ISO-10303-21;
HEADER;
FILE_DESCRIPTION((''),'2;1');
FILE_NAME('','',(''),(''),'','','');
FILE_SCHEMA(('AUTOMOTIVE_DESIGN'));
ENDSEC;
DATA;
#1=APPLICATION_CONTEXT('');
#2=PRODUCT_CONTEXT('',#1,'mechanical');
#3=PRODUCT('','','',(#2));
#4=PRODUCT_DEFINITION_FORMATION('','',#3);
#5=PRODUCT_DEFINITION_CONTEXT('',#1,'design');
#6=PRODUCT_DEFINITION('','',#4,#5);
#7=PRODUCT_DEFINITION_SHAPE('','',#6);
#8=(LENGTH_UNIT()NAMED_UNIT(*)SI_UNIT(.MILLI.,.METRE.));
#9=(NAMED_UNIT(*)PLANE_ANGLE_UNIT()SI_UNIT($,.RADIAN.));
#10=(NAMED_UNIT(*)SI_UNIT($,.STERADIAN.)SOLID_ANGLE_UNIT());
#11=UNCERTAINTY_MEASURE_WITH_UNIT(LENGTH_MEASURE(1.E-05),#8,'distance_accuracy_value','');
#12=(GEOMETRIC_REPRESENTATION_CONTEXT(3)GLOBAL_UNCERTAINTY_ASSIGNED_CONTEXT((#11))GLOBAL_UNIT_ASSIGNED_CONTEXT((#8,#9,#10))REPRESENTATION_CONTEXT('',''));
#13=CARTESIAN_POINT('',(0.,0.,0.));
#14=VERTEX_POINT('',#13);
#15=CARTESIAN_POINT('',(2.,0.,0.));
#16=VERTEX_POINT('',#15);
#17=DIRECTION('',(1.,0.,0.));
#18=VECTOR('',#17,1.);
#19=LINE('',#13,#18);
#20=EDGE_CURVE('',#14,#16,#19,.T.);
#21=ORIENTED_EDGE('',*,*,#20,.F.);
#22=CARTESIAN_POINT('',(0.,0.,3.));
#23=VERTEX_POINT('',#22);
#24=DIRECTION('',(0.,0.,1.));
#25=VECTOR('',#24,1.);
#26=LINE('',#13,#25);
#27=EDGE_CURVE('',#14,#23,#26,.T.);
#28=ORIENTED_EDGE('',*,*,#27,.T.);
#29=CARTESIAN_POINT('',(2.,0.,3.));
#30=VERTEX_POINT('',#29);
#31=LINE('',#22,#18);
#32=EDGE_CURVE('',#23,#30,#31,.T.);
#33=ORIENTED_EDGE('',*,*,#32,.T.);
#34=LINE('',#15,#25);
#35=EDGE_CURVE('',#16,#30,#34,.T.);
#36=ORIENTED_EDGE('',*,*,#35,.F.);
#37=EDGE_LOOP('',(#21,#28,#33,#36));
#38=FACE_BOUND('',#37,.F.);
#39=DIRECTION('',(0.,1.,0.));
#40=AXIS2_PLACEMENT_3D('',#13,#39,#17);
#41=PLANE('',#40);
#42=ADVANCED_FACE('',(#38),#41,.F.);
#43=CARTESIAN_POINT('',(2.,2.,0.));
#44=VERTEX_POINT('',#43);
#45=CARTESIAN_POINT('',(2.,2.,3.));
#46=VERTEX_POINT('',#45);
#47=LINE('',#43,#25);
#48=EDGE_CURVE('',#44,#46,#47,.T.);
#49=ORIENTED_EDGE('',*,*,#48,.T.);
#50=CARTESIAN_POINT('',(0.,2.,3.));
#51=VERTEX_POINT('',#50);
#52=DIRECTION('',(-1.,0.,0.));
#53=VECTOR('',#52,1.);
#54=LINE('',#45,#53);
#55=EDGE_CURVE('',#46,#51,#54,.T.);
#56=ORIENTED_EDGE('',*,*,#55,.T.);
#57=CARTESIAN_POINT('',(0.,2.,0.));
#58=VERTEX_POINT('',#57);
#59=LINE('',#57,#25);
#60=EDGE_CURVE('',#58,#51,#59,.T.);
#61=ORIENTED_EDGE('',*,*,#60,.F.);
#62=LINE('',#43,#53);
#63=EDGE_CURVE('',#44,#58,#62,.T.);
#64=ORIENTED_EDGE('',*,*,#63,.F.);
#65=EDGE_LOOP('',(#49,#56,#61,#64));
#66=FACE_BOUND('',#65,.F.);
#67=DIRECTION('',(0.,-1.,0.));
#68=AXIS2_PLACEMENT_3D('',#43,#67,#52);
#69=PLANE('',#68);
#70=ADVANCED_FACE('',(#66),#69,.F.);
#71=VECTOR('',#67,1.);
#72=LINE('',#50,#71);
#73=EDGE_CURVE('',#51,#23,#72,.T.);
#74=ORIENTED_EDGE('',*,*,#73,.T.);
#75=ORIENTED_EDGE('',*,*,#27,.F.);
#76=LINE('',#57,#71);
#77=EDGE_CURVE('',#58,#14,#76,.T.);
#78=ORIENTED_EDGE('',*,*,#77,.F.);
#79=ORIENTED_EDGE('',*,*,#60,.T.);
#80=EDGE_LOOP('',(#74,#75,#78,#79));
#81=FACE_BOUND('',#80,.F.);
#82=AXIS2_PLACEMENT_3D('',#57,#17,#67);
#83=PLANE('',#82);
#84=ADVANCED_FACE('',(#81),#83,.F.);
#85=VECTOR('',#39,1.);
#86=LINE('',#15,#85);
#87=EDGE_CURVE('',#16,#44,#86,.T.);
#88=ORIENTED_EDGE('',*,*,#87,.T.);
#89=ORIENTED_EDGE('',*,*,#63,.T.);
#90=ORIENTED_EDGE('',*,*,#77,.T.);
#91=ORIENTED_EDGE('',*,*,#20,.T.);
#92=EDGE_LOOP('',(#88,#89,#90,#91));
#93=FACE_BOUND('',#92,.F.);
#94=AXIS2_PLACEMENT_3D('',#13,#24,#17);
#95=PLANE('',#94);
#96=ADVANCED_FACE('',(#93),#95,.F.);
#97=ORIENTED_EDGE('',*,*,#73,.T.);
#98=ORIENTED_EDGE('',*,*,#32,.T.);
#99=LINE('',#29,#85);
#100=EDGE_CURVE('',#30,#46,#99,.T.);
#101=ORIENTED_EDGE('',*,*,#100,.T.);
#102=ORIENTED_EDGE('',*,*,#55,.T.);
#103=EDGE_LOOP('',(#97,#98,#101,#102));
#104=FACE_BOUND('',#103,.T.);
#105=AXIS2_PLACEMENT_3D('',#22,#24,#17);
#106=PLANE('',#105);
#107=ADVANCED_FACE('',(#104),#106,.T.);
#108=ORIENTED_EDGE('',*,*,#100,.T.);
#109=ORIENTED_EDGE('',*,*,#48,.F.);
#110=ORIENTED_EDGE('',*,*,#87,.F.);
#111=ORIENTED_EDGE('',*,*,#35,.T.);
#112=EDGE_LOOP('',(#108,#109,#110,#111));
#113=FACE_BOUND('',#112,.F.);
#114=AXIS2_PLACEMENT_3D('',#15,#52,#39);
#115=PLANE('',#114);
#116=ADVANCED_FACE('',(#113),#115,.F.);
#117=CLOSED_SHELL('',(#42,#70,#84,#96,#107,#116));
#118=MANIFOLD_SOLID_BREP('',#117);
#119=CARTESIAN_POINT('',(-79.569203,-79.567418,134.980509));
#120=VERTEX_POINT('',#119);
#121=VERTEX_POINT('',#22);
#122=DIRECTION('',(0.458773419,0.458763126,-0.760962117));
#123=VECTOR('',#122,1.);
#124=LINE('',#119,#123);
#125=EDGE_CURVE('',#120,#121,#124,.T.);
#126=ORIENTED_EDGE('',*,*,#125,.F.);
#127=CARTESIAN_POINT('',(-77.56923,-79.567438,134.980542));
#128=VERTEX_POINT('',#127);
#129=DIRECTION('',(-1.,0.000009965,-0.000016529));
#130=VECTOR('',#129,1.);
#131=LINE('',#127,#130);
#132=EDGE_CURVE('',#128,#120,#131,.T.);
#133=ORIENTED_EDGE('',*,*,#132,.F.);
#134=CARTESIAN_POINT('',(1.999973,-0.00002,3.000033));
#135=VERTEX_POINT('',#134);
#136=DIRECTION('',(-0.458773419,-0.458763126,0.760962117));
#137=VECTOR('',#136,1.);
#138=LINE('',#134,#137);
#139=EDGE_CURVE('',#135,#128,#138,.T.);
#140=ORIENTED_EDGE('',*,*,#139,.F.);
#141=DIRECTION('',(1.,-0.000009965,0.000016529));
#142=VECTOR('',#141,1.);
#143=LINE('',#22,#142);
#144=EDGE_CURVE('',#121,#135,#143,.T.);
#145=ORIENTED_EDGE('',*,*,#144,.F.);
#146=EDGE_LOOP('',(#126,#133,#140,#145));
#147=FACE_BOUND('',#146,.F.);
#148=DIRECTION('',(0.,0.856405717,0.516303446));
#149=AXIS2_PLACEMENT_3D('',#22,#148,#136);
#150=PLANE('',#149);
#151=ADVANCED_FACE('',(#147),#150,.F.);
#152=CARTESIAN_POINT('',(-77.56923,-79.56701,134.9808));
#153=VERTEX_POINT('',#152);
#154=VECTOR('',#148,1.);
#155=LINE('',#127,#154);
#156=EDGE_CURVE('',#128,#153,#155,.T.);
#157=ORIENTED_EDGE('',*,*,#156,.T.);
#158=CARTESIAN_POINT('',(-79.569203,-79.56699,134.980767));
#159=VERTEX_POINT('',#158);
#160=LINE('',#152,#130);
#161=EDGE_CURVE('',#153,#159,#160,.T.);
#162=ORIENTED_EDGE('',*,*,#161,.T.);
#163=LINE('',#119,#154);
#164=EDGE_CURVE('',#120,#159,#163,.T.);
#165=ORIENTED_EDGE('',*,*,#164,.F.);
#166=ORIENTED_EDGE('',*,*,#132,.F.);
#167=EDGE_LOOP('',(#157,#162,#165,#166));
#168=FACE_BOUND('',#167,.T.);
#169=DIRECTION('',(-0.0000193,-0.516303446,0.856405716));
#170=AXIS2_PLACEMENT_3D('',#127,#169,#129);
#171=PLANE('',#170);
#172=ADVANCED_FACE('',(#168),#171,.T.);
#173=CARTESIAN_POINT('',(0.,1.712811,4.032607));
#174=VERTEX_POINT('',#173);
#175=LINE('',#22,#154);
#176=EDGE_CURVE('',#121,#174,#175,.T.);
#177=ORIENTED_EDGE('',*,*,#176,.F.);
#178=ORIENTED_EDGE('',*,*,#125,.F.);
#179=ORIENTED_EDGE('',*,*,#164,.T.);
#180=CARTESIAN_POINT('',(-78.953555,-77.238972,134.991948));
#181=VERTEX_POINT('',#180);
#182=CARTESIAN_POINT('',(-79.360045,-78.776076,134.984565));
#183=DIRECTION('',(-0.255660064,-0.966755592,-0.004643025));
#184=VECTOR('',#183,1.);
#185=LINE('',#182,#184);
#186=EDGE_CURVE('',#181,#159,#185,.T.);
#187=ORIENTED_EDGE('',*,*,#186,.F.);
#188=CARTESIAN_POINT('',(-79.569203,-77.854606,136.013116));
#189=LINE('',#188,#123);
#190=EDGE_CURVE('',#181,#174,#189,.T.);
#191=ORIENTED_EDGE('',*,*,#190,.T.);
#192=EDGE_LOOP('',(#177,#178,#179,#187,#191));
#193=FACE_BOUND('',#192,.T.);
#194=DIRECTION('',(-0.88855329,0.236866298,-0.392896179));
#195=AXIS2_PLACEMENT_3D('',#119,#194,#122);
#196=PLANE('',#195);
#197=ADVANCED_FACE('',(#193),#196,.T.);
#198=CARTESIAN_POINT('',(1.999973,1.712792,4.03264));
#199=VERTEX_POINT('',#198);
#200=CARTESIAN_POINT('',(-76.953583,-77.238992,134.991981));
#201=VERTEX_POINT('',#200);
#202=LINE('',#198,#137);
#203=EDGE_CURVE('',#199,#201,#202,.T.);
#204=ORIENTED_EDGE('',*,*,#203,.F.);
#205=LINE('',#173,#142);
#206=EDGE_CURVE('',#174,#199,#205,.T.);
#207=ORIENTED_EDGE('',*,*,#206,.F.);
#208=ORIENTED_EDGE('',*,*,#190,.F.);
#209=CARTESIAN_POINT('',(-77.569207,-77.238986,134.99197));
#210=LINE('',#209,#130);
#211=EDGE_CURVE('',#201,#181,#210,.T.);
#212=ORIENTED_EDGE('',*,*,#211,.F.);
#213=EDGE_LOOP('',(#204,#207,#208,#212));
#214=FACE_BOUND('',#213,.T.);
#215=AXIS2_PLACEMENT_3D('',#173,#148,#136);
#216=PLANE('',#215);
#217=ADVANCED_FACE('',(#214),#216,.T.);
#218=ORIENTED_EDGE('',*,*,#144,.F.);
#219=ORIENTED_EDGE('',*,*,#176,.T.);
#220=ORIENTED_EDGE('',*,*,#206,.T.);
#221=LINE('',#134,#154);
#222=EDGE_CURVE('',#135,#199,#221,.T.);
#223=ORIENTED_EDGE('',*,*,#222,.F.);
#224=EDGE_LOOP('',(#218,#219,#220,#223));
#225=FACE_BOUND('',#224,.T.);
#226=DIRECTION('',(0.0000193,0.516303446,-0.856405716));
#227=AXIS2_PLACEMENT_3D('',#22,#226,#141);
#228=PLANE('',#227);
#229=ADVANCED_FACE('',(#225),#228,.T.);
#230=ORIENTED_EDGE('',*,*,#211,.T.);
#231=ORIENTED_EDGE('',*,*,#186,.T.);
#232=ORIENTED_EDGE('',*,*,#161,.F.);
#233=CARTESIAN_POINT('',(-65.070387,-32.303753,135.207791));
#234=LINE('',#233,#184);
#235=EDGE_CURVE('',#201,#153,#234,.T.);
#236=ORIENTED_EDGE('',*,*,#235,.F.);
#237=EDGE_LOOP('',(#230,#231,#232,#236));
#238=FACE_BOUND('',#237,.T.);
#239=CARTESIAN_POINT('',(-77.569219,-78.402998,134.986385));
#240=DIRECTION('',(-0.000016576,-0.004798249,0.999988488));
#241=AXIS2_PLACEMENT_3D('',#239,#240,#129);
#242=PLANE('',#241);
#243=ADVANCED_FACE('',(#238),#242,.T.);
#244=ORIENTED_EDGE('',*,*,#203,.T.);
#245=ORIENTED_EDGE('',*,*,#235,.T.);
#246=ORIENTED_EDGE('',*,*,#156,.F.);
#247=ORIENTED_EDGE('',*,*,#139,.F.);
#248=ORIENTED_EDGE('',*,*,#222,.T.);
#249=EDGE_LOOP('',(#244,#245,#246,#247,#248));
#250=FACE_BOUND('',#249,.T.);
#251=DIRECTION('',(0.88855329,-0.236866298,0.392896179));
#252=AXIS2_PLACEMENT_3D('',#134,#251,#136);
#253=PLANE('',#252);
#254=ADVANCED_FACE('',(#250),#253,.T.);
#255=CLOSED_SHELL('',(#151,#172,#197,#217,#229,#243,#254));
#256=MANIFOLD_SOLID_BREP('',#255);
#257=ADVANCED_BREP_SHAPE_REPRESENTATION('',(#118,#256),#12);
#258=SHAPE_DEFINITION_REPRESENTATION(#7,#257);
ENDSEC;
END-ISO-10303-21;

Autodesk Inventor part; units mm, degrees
ref_plane "YZ Plane" through (0, 0, 0) normal (1, 0, 0) x (0, 1, 0)
sketch "Skizze1" plane through (0, 0, 0) normal (0, 0, 1) x (1, 0, 0)
  line L0 (0, 0) -> (2, 0)
  line L1 (2, 0) -> (2, 2)
  line L2 (2, 2) -> (0, 2)
  line L3 (0, 2) -> (0, 0)
  dimension "d0" = 2
  dimension "d1" = 2
extrude "Extrusion1" add sketch "Skizze1" along normal blind 3
sketch "Skizze2" plane through (0, 0, 3) normal (0, 0, 1) x (1, 0, 0)
  point P0 (0, 0)
ref_plane "Arbeitsebene1" through (0, 0, 3) normal (-0.7071, 0.7071, 0) x (0.7071, 0.7071, 0)
sketch "Skizze3" plane through (0, 0, 3) normal (-0.7071, 0.7071, 0) x (0.7071, 0.7071, 0)
  line L0 (0, 0) -> (1.4142, 0) projected
  line L1 (0, 0) -> (-112.5245, -131.9823)
  line L2 (0, 0) -> (173.439, 0) construction
  line L3 (2.8284, 3) -> (2.8284, 0) projected
  line L4 (2.8284, 0) -> (-109.6961, -131.9823)
  line L5 (2.8284, 0) -> (176.2674, 0) construction
  line L6 (-109.6961, -131.9823) -> (-112.5245, -131.9823)
  line L7 (1.4142, 0) -> (2.8284, 0) projected
  line L8 (2.8284, 0) -> (0, 0)
  point P0 (0, 3)
  dimension "d4" = 173.439
  dimension "d5" = 130.45
  dimension "d6" = 173.439
  dimension "d7" = 130.45
ref_plane "Arbeitsebene2" through (0, 0, 3) normal (0, 0.8564, 0.5163) x (-0.4588, -0.4588, 0.761)
sketch "Skizze4" plane through (0, 0, 3) normal (0, 0.8564, 0.5163) x (-0.4588, -0.4588, 0.761)
  line L0 (0, 0) -> (-0.9175, 1.7771) projected
  line L1 (0, 0) -> (-0.9175, 1.7771)
  line L2 (-0.9175, 1.7771) -> (172.5215, 1.7771)
  line L3 (172.5215, 1.7771) -> (173.439, 0)
  line L4 (173.439, 0) -> (0, 0)
  point P0 (-2.2829, -1.1787)
  dimension "d9" = 173.439
extrude "Extrusion2" add sketch "Skizze4" along normal blind 2
sketch "Skizze5" plane through (-77.5668, -79.5668, 134.9823) normal (0.8886, -0.2369, 0.3929) x (0.4588, 0.4588, -0.761)
  line L0 (172.5215, 0) -> (-0.9175, 0) projected
  line L1 (0.0005, 0) -> (1.3553, 2)
  line L2 (0, 2) -> (173.439, 2) projected
  line L3 (1.3553, 2) -> (0, 2)
  line L4 (0, 0) -> (0, 2) projected
  line L5 (0, 2) -> (0, 0)
  point P0 (174.8044, -1.5489)
sketch "Skizze6" plane through (0, 0, 3) normal (0, -0.8564, -0.5163) x (0.8886, -0.2369, 0.3929)
  line L0 (0, 0) -> (0, 173.439) projected
  line L1 (1.7771, 172.5215) -> (0, 173.439)
  point P0 (-1.1787, -2.2829)
sketch "Skizze7" plane through (0, 1.7128, 4.0326) normal (0, 0.8564, 0.5163) x (0.8886, -0.2369, 0.3929)
  line L0 (0, 0) -> (0, -173.439) projected
  line L1 (0, -172.1027) -> (1.781, -171.1647)
  point P0 (-1.1787, 2.2829)
sketch "Skizze8" plane through (0, 0, 3) normal (-0.8886, 0.2369, -0.3929) x (-0.4588, -0.4588, 0.761)
  line L0 (0, 2) -> (173.439, 2) projected
  line L1 (0, 0) -> (173.439, 0) projected
  line L2 (172.1026, 2) -> (173.439, 0)
  point P0 (-2.2829, -1.5489)
chamfer "Fase1" distance 1.1929 distance2 2 1 edges at (-78.5668, -77.854, 136.0149) measured on face at (-25.1889, -24.8095, 48.0267)
properties part number "FOVStick"
